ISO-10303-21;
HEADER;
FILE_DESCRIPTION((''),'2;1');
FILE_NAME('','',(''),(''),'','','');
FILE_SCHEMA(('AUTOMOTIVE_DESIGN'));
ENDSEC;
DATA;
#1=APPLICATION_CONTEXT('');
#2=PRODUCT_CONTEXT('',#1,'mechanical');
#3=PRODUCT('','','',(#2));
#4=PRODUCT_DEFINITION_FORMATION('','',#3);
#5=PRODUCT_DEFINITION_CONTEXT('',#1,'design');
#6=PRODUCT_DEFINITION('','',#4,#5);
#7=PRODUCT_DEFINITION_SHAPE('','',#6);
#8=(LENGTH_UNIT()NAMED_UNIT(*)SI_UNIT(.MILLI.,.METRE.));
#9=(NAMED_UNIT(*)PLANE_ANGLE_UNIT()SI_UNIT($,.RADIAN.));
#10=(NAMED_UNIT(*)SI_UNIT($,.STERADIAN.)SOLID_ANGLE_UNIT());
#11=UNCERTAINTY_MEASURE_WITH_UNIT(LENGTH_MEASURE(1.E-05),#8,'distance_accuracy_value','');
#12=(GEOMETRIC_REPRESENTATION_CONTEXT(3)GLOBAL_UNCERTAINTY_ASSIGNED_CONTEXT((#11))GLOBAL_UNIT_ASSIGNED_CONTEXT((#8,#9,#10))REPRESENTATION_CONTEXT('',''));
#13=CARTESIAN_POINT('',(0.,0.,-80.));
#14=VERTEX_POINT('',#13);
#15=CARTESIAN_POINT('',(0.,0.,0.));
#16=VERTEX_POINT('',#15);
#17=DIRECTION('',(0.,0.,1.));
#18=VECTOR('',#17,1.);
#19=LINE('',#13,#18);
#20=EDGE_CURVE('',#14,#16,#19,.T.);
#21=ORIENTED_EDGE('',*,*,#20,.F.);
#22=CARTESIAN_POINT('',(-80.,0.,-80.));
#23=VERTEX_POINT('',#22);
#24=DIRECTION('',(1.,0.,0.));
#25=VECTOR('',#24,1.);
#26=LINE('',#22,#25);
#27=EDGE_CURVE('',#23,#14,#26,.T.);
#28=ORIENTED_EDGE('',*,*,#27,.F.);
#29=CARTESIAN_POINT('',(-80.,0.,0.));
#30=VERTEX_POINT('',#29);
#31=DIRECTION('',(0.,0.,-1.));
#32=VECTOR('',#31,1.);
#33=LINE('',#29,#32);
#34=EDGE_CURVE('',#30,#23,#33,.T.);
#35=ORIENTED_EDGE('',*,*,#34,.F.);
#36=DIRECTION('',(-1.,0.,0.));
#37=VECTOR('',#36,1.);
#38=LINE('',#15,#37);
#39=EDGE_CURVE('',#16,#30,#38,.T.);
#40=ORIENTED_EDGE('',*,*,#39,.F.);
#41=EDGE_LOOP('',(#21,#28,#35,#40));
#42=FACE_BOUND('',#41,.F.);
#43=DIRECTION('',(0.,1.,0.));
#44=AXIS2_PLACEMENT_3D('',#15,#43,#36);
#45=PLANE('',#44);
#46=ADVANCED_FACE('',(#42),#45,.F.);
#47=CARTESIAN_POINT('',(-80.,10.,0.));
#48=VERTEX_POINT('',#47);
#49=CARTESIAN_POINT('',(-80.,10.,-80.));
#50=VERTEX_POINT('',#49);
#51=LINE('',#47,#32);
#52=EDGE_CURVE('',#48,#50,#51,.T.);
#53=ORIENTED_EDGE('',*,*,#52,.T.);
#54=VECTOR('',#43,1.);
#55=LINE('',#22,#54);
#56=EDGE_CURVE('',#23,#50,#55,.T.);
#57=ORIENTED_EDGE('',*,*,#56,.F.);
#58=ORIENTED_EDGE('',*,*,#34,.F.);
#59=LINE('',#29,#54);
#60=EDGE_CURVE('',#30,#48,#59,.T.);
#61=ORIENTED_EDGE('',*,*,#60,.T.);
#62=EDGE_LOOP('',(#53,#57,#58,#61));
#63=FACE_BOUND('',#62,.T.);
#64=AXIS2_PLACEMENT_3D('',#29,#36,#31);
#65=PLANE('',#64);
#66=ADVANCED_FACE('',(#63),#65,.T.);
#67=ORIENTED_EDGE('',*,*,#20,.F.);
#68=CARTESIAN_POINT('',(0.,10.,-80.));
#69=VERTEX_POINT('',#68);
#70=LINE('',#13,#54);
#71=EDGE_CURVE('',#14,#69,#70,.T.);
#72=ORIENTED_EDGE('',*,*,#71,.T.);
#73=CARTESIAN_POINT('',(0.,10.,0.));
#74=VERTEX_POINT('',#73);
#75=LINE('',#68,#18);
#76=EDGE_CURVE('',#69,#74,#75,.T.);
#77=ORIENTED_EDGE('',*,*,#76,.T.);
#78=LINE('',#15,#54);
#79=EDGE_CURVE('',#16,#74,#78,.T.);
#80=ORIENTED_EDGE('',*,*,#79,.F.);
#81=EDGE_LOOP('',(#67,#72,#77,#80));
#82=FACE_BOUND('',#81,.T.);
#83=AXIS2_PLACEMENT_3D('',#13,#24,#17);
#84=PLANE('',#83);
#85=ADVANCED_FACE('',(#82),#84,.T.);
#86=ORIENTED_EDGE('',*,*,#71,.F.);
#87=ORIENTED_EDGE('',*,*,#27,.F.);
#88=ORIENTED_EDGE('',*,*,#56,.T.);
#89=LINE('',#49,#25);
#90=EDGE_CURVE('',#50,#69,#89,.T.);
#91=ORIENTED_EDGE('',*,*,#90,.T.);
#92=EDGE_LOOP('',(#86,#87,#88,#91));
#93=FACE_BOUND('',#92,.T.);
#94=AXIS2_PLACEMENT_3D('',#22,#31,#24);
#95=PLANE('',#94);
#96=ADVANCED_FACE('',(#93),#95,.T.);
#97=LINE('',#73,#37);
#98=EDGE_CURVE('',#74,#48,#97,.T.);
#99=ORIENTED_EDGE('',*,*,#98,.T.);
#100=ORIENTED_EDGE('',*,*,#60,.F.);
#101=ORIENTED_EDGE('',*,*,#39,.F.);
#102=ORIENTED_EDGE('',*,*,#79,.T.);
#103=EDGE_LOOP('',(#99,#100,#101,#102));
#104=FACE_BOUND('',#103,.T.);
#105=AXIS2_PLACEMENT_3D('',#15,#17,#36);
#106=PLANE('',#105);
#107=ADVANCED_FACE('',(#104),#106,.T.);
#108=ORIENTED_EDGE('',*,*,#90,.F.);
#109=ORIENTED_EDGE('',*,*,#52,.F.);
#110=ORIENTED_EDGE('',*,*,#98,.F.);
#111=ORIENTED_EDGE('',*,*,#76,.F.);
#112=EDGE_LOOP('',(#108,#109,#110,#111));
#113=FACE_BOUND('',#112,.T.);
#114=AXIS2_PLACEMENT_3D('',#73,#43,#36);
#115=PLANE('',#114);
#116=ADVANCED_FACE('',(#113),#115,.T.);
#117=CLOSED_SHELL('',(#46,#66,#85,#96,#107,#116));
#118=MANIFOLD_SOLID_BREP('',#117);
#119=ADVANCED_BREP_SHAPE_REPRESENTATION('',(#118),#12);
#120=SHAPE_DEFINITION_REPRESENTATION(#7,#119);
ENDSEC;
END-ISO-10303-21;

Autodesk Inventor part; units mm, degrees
ref_plane "YZ Plane" through (0, 0, 0) normal (1, 0, 0) x (0, 1, 0)
ref_plane "XZ Plane" through (0, 0, 0) normal (0, 1, 0) x (-1, 0, 0)
ref_plane "XY Plane" through (0, 0, 0) normal (0, 0, 1) x (1, 0, 0)
sketch "Sketch1" plane through (0, 0, 0) normal (0, 1, 0) x (-1, 0, 0)
  line L0 (0, 0) -> (80, 0)
  line L1 (80, 0) -> (80, -80)
  line L2 (80, -80) -> (0, -80)
  line L3 (0, -80) -> (0, 0)
  dimension "d0" = 80
  dimension "d1" = 80
extrude "Extrusion1" add sketch "Sketch1" along normal blind 10
properties part number "S.Part1143"
